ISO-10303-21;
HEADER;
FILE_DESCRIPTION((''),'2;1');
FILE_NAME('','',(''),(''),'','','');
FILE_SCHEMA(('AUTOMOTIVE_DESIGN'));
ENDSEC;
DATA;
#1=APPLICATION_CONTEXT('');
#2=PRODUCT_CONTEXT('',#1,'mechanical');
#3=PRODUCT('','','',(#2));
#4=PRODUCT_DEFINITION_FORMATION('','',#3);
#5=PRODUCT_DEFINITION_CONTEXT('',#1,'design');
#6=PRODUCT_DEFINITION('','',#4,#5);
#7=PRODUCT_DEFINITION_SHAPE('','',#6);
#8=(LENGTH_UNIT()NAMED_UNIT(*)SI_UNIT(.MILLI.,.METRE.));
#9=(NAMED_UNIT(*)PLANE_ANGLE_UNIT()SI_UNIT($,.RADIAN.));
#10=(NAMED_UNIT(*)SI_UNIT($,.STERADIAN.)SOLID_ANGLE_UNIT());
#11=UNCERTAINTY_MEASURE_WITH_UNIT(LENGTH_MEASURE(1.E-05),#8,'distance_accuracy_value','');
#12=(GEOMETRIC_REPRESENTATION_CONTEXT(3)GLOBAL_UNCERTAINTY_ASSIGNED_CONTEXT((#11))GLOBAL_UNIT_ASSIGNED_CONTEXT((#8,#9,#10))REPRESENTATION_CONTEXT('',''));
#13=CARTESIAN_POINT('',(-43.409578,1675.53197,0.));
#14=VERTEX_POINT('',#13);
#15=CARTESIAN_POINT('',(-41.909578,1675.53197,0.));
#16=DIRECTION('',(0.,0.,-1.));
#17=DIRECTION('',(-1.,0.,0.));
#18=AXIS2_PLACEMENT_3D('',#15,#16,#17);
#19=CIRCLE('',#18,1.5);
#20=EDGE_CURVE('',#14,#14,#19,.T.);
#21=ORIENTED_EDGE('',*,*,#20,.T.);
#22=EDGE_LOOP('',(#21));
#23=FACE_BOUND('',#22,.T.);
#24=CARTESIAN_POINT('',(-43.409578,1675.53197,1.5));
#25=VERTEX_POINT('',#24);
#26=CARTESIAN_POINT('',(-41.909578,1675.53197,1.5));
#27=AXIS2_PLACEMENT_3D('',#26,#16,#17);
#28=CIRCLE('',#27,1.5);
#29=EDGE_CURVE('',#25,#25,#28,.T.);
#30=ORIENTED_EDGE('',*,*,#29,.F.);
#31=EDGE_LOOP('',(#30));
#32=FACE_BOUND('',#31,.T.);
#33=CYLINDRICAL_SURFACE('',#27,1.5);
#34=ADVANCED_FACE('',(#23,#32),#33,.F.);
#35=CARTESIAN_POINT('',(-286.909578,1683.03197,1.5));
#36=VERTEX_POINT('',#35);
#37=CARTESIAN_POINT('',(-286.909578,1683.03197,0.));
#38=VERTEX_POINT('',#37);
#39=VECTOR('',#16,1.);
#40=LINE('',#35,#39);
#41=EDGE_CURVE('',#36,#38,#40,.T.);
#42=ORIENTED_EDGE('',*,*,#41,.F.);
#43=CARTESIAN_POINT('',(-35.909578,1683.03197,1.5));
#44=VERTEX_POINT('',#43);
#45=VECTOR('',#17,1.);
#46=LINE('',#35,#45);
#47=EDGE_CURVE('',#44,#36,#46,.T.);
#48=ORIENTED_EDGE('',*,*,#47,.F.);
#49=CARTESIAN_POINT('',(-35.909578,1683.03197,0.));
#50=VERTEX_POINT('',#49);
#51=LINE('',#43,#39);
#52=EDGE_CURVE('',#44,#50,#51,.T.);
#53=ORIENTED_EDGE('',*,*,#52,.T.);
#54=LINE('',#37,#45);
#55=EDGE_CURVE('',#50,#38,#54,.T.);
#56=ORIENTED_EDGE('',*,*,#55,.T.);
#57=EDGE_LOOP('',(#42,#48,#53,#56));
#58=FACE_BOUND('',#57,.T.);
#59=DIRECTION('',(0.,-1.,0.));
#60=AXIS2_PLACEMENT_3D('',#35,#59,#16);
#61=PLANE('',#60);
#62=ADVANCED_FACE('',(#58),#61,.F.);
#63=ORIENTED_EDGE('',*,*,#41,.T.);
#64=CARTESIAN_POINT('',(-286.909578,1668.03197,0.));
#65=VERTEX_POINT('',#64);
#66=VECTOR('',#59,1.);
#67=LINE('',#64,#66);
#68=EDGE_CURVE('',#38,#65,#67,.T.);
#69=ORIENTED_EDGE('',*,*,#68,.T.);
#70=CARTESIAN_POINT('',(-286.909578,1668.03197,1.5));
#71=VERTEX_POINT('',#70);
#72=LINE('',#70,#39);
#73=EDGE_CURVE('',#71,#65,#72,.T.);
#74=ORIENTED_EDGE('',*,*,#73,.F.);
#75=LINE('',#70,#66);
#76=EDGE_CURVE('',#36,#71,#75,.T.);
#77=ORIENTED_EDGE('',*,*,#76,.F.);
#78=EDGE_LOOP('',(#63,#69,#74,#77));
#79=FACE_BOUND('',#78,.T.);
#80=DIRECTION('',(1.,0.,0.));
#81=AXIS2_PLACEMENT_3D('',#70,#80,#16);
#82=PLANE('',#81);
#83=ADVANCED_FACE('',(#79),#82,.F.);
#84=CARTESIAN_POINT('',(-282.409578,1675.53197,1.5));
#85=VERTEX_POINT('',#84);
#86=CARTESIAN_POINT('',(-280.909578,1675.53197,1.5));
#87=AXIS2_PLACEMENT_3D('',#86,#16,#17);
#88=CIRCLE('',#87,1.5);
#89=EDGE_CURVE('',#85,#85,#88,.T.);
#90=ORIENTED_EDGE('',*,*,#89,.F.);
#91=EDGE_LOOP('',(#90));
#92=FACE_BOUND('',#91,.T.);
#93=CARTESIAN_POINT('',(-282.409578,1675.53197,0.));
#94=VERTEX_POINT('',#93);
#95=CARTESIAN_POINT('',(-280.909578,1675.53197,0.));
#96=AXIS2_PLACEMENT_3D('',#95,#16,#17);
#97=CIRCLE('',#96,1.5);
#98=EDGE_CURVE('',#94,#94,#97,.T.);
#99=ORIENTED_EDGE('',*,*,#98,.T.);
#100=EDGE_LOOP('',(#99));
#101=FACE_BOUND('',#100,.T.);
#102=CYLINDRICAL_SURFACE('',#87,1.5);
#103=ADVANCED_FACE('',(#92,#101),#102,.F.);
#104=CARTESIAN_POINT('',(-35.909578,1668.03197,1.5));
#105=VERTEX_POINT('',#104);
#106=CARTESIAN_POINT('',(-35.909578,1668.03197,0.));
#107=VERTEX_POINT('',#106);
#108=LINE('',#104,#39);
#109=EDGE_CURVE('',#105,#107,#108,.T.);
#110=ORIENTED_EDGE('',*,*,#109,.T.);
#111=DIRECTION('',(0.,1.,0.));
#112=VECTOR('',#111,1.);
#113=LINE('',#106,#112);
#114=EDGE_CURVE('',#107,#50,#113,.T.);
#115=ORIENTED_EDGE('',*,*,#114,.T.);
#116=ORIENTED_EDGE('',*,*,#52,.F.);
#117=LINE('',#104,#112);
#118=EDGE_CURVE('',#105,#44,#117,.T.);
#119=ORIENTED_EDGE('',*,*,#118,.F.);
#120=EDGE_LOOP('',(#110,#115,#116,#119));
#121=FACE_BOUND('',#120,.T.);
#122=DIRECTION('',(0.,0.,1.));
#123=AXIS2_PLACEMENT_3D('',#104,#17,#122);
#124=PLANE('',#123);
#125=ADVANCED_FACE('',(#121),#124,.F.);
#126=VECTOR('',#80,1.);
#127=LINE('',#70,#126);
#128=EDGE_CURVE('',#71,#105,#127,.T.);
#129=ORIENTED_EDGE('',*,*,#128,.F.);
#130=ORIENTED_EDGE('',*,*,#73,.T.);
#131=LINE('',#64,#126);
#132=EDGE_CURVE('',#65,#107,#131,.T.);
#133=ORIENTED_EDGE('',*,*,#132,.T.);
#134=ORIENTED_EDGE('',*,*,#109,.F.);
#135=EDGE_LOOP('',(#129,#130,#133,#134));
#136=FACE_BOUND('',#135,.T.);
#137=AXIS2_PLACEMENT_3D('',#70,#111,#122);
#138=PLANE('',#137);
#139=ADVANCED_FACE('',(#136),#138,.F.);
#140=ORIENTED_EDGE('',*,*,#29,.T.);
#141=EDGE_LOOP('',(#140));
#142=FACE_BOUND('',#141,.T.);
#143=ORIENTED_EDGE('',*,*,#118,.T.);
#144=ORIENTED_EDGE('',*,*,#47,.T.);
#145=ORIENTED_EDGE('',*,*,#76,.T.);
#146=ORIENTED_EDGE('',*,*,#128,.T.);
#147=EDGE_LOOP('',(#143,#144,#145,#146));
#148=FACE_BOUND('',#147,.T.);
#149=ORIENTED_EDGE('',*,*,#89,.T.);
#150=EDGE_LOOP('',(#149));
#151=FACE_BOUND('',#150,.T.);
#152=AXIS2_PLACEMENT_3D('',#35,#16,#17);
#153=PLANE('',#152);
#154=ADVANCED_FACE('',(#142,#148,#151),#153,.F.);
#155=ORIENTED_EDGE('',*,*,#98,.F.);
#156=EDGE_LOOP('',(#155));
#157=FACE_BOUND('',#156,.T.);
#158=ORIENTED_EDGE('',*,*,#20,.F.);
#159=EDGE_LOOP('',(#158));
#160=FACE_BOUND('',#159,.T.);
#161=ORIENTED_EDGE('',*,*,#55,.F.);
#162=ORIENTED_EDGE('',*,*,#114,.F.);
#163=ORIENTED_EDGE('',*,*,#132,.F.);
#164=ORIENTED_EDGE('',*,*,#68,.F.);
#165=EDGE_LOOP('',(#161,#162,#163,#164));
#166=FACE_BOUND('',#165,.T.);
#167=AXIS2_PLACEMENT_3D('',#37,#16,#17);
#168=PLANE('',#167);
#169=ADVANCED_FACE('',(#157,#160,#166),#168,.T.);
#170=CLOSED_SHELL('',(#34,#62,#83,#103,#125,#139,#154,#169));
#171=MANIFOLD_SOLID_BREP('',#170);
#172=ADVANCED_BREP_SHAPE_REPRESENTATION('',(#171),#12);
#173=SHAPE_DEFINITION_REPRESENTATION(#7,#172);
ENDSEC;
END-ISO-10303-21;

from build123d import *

# Parameters (mm, degrees)
ESQUISSE1_W      = 251
ESQUISSE1_H      = 15
EXTRUSION1_DEPTH = 1.5
ESQUISSE2_R      = 1.5
EXTRUSION2_DEPTH = 1.5


with BuildPart() as part:
    # Esquisse1 → Extrusion1 (new body)
    with BuildSketch(Plane.XY):
        with Locations((-161.409577855, 1675.531969937)):
            Rectangle(ESQUISSE1_W, ESQUISSE1_H)
    extrude(amount=EXTRUSION1_DEPTH)

    # Esquisse2 → Extrusion2 (cut)
    with BuildSketch(Plane(origin=(0, 0, 0), x_dir=(-1, 0, 0), z_dir=(0, 0, -1))):
        with Locations((280.909577855, 1675.531969937)):
            Circle(ESQUISSE2_R)
        with Locations((41.909577855, 1675.531969937)):
            Circle(ESQUISSE2_R)
    extrude(amount=-EXTRUSION2_DEPTH, mode=Mode.SUBTRACT)


solid = part.part
